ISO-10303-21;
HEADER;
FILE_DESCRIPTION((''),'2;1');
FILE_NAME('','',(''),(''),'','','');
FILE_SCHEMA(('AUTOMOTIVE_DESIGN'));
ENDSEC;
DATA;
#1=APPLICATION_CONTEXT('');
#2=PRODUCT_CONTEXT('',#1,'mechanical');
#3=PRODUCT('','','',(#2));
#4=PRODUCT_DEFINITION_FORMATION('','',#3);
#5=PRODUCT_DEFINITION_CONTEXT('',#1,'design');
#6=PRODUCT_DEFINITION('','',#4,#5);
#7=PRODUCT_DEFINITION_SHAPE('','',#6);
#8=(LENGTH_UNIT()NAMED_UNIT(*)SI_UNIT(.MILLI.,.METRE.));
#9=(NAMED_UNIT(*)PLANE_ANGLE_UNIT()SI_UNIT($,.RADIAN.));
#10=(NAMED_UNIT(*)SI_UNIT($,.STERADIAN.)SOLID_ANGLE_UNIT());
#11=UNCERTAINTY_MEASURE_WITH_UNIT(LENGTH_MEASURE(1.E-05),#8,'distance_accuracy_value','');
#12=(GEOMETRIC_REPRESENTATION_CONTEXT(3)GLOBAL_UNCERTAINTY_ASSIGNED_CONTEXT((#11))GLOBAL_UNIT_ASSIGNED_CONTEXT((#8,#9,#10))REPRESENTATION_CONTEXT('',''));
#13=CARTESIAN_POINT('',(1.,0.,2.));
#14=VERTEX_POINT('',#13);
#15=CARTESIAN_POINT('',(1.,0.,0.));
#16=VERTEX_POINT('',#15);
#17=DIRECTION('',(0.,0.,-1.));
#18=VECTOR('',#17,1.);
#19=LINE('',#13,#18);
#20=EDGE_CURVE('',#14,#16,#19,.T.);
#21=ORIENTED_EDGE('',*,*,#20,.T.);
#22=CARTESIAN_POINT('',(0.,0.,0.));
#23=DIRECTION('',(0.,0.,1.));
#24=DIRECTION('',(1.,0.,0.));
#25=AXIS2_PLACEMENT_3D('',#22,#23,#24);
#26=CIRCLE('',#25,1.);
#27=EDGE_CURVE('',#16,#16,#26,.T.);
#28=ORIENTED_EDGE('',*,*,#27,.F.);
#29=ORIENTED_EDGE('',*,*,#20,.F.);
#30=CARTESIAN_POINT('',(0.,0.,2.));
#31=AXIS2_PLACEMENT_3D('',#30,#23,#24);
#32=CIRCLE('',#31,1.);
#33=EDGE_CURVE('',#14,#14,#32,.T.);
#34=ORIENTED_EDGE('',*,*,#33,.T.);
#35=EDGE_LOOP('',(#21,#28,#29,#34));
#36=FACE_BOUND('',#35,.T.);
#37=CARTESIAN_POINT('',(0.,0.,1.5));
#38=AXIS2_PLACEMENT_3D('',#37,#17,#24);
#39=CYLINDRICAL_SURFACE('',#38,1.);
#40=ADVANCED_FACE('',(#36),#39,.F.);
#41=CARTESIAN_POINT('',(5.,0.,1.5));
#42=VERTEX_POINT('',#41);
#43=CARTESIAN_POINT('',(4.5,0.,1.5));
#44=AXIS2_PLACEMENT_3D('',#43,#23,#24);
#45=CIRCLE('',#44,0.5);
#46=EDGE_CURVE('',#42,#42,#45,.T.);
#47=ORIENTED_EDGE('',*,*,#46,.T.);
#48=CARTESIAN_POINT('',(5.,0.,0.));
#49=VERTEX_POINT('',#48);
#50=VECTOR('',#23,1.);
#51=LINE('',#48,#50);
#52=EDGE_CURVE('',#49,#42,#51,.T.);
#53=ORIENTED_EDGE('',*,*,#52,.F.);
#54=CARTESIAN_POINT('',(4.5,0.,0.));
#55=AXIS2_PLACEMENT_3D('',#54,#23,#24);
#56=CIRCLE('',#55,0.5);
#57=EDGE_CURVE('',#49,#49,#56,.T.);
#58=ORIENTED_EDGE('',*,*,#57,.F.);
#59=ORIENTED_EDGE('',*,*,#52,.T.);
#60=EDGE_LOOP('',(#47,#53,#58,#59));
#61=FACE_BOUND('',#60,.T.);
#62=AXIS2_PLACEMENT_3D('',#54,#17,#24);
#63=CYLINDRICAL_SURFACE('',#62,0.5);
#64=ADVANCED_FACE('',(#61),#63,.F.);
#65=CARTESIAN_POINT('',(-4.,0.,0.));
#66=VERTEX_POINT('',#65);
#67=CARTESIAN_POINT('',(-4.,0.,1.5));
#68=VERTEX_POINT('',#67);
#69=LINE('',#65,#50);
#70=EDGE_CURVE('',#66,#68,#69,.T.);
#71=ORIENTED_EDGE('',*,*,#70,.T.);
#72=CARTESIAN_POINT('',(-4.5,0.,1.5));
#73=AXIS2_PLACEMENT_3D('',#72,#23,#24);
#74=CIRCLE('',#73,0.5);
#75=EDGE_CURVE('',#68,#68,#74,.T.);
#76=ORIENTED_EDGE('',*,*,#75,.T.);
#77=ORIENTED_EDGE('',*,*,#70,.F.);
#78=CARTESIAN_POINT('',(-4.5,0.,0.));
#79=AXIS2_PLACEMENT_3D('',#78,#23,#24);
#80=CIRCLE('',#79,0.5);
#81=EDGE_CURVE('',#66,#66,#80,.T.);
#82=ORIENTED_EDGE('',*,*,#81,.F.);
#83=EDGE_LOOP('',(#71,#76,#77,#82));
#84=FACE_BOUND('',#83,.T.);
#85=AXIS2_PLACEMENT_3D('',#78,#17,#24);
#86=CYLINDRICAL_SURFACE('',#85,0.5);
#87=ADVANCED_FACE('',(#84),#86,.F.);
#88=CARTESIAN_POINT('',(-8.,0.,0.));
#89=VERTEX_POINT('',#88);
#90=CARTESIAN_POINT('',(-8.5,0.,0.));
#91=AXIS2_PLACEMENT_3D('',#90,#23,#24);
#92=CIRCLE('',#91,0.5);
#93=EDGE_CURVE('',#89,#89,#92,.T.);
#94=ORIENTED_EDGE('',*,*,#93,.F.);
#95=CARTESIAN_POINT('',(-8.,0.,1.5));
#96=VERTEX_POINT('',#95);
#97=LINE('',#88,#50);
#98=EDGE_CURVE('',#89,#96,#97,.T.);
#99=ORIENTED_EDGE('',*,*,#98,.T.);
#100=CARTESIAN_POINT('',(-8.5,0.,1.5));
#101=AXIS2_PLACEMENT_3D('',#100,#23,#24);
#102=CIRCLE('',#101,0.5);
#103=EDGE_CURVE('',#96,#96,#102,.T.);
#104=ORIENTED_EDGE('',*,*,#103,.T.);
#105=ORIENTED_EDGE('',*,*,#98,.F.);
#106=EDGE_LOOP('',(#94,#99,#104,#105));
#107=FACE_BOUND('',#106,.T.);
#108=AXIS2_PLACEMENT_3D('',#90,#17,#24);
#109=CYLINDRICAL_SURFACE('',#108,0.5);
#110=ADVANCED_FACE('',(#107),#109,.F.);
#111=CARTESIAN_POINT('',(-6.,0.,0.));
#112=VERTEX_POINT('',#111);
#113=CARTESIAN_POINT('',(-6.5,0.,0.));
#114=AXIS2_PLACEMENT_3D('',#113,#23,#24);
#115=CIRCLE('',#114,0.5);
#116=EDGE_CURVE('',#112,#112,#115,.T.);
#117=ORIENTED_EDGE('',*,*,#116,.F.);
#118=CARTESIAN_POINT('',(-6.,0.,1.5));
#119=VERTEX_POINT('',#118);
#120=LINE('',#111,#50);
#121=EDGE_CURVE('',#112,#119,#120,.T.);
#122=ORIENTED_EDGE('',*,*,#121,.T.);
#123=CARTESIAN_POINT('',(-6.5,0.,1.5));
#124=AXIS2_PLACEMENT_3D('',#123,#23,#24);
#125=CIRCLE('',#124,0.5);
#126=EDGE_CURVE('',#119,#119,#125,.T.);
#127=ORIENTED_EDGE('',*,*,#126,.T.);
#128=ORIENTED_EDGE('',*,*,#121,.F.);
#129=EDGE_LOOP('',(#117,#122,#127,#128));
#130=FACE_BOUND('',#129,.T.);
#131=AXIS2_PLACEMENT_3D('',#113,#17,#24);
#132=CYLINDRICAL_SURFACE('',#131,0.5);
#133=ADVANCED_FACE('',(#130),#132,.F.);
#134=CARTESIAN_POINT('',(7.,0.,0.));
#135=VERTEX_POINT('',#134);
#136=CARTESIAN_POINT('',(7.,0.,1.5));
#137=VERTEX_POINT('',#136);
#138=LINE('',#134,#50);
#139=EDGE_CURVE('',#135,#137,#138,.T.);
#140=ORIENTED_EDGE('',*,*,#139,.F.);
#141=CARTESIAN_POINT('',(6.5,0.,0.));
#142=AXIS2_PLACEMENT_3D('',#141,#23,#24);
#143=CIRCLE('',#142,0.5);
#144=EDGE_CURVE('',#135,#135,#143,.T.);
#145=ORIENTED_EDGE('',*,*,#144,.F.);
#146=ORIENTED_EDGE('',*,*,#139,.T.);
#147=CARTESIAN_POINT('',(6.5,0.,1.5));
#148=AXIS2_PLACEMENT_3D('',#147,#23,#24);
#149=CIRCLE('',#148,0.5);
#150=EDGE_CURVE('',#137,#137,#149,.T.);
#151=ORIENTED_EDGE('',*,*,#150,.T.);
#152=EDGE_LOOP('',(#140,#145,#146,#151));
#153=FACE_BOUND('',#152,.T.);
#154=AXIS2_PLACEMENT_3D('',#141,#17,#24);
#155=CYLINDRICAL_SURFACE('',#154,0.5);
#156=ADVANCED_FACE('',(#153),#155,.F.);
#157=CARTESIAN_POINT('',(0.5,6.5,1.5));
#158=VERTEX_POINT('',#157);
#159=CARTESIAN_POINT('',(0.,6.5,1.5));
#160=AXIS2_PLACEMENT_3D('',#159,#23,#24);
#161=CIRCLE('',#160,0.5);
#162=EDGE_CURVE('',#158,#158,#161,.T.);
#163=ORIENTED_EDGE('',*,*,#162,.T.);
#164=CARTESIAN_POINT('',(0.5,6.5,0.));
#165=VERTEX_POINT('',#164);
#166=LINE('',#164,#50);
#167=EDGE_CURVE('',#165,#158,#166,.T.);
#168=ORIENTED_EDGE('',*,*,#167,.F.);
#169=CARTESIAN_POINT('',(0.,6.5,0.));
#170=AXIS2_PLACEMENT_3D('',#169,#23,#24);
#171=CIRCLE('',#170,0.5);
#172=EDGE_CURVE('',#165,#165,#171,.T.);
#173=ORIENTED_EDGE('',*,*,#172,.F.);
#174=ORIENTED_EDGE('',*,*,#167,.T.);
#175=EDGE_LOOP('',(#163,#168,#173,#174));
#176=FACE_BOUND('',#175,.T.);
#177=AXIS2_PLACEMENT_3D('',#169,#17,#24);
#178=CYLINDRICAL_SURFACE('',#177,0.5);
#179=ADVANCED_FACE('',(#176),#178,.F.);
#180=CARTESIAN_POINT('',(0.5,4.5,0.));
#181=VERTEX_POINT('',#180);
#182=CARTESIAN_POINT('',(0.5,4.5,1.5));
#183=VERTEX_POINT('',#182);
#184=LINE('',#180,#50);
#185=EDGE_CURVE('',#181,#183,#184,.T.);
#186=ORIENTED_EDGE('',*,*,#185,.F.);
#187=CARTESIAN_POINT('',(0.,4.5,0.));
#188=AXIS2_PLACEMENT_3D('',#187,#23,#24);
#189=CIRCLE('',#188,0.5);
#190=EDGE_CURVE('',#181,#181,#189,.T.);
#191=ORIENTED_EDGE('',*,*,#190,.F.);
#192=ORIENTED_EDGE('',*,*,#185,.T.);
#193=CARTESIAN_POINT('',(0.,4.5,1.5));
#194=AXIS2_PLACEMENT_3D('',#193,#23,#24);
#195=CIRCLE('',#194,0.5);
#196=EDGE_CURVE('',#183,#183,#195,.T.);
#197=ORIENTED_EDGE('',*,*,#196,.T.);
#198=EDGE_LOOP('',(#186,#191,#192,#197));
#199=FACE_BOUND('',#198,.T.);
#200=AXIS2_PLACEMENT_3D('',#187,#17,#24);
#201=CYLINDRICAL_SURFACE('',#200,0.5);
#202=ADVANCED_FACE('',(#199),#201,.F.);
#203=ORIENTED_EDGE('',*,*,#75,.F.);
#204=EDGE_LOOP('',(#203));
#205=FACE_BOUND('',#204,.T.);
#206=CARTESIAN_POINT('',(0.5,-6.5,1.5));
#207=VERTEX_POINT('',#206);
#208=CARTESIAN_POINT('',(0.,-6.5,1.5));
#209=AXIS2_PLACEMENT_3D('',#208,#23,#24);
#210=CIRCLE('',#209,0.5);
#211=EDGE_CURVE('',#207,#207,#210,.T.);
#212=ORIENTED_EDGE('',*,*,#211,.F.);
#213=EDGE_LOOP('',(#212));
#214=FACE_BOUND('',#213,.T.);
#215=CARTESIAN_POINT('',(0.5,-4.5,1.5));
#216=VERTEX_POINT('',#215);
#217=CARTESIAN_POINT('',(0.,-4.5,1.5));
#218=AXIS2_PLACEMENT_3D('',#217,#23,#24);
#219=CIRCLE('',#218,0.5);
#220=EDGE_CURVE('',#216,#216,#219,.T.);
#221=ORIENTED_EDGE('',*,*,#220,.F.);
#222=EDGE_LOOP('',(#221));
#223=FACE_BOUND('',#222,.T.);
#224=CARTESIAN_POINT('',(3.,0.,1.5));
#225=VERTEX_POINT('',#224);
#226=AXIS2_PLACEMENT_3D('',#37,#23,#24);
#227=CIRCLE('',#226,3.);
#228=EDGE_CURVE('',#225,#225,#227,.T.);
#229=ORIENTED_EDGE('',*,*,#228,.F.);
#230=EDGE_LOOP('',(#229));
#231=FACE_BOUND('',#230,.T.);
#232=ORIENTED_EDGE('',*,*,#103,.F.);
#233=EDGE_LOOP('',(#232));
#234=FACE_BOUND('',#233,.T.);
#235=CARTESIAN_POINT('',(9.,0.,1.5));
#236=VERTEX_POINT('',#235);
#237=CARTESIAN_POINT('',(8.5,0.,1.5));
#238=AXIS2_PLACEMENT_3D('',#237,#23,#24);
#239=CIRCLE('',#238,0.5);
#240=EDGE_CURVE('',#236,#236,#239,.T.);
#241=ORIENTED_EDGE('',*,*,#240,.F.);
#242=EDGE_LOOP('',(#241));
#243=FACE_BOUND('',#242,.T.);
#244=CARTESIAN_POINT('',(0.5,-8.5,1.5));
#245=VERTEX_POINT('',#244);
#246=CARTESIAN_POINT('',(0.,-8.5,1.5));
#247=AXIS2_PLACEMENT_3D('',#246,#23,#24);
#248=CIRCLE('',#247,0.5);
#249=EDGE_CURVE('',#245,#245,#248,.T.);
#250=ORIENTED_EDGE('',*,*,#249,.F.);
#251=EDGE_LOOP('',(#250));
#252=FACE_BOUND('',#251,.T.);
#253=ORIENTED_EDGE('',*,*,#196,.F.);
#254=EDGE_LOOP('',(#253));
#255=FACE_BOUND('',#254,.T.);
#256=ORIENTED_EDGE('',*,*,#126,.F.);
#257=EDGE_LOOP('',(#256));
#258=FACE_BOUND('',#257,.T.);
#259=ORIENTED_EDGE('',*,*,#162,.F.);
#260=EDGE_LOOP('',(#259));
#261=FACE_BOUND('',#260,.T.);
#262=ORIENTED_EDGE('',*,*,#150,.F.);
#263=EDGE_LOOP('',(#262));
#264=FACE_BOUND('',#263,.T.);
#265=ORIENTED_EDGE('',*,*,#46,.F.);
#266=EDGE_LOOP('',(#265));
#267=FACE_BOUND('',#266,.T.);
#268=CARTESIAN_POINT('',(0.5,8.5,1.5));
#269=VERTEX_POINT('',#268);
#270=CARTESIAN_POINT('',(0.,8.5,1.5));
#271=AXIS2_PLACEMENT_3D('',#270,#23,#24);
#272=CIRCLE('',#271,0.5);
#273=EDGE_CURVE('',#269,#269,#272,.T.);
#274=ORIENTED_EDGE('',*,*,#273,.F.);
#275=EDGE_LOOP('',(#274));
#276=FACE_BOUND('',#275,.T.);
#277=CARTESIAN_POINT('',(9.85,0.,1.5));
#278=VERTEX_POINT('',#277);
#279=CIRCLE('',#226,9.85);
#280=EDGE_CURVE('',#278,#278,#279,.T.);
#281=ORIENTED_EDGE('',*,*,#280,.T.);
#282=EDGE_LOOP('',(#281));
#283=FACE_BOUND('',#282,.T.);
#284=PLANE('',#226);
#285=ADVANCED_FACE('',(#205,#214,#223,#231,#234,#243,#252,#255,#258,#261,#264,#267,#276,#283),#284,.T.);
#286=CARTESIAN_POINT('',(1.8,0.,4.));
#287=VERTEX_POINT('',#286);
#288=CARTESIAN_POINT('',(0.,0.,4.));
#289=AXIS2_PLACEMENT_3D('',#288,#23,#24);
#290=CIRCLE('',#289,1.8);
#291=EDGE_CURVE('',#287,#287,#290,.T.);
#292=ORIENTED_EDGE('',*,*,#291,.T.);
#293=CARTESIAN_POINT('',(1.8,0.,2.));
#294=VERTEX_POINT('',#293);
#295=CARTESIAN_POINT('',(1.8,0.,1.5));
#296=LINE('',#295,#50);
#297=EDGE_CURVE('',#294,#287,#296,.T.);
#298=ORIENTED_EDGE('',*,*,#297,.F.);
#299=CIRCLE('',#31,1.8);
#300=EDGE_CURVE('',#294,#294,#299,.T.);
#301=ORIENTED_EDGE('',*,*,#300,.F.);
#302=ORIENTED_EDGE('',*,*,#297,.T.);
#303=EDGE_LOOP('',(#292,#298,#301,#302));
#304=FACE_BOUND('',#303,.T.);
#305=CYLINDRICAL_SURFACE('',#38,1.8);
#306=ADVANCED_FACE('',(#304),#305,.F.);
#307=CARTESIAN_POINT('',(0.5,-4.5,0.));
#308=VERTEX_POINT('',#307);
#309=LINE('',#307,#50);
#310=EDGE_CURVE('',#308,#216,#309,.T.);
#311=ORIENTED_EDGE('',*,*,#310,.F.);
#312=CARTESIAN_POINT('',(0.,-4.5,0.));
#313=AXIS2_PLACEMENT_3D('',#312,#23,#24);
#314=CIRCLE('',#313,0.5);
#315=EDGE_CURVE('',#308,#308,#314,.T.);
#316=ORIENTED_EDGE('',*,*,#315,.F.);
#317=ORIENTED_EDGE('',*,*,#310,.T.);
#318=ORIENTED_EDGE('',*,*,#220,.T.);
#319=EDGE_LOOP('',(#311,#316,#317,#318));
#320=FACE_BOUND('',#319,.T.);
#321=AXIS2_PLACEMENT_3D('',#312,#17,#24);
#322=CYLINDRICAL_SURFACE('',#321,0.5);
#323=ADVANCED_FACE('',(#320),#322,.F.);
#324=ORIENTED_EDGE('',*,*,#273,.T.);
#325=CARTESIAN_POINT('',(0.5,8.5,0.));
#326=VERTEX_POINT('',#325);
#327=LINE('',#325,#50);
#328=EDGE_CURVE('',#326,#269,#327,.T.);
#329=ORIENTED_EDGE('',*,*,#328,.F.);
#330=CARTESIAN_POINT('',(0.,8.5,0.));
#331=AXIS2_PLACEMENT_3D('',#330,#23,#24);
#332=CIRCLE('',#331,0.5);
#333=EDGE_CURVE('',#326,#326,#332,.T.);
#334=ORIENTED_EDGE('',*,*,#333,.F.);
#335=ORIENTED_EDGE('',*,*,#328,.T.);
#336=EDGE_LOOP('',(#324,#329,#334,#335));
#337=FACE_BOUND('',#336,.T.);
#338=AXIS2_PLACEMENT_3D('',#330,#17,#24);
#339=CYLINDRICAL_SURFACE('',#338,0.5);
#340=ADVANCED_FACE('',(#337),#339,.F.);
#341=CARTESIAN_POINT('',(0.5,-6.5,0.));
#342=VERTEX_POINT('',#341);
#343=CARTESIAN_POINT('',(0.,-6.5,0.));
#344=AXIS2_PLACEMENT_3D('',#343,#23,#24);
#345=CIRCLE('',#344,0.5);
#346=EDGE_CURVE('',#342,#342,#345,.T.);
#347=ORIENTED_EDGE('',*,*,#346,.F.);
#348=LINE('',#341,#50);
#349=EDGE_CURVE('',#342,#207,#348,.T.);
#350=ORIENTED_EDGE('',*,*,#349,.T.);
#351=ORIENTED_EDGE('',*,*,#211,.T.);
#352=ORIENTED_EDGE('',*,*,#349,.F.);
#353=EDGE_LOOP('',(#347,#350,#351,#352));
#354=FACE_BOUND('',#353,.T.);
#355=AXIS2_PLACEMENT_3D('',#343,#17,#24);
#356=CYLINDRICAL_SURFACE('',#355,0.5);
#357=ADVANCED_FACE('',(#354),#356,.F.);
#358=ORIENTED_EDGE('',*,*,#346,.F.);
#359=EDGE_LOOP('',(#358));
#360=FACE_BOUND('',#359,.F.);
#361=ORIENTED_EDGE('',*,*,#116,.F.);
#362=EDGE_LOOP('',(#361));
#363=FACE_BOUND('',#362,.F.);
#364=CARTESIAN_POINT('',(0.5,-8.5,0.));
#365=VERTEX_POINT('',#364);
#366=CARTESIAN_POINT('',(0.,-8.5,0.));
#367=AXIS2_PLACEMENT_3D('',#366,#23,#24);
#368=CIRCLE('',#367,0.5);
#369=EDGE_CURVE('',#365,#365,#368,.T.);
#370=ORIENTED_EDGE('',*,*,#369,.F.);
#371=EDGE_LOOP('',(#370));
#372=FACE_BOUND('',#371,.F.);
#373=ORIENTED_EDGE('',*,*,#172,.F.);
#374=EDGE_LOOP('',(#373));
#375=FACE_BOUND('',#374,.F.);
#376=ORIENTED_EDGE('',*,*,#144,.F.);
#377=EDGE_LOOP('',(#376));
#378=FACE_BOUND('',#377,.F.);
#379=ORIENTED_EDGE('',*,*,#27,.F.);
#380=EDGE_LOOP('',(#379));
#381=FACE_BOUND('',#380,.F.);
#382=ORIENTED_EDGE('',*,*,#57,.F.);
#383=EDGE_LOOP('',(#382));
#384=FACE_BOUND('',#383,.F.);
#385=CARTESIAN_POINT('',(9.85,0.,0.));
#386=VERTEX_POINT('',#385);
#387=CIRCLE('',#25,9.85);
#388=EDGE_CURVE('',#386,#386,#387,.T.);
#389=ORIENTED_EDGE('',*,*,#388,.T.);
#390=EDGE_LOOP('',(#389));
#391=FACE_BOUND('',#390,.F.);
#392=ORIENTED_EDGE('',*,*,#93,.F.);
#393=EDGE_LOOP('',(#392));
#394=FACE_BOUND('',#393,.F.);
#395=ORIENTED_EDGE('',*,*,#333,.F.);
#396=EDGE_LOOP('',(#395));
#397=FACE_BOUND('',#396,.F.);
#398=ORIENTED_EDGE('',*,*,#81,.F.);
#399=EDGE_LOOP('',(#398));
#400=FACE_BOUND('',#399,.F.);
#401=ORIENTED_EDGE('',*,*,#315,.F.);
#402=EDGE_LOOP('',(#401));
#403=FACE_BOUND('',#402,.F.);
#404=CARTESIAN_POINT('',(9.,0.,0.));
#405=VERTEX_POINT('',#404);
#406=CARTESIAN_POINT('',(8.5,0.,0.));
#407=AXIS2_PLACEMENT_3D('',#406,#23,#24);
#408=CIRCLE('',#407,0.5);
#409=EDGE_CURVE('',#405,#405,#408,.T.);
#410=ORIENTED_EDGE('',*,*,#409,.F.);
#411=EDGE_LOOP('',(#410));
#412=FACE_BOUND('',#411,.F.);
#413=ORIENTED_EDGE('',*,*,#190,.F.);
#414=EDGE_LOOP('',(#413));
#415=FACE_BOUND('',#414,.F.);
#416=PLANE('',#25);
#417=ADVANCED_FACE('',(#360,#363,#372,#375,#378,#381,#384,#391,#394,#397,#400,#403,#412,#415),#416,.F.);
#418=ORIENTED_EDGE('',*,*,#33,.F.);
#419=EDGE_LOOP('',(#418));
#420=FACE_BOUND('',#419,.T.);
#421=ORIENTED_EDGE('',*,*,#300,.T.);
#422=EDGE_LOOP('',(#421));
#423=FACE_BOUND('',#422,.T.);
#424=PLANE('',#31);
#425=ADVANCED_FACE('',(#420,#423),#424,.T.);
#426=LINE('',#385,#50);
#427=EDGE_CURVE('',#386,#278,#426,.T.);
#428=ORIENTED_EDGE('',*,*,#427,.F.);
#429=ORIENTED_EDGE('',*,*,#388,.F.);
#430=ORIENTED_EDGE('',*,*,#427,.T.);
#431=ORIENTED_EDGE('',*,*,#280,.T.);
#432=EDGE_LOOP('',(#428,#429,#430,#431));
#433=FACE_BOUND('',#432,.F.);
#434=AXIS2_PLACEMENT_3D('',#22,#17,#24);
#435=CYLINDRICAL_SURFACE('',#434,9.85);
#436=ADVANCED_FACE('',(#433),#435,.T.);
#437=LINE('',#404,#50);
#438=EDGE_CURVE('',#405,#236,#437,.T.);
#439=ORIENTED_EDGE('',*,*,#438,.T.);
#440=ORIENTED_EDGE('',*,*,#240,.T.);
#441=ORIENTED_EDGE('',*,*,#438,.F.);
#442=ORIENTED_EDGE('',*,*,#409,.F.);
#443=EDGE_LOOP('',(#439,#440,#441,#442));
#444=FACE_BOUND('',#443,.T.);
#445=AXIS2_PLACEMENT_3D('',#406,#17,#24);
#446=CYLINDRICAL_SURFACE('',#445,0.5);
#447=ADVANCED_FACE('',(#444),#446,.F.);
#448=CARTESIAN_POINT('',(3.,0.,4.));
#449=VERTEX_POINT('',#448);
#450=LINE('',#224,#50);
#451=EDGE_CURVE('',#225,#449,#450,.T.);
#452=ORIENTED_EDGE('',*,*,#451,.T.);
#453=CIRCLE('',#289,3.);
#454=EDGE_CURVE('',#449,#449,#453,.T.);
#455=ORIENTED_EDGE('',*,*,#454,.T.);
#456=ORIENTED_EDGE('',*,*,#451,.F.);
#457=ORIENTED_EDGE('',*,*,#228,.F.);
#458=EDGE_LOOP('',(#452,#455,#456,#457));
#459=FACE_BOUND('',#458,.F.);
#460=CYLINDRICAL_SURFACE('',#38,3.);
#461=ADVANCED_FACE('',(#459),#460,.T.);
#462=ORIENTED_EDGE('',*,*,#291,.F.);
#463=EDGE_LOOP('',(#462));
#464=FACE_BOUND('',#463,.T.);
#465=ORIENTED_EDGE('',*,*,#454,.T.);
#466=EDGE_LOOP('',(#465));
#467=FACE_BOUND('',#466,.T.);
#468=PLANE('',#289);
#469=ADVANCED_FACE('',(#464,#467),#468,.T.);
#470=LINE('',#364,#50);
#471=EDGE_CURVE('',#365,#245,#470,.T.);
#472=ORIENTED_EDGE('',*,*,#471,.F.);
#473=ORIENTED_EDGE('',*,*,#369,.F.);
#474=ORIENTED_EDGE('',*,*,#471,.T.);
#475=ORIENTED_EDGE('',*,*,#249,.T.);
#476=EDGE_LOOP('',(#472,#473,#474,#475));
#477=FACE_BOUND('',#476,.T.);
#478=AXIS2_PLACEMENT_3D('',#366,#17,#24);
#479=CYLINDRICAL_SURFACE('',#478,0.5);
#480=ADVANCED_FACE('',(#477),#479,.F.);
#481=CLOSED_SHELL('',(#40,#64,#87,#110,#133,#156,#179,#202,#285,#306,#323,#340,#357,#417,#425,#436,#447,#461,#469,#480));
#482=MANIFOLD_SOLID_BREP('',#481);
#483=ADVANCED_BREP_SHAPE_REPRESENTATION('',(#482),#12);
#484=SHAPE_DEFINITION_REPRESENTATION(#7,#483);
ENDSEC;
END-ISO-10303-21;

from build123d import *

# Parameters (mm, degrees)
F0_R     = 9.85
F0_R_2   = 0.5
F0_R_3   = 1
F1_DEPTH = 1.5
F2_R     = 3
F2_R_2   = 1.8
F3_DEPTH = 2.5
F4_R     = 1.8
F4_R_2   = 1
F5_DEPTH = 0.5


with BuildPart() as f1:
    # F0 (on Top) → F1 (new body)
    with BuildSketch(Plane.XY):
        Circle(F0_R)
        with Locations((0, -8.5)):
            Circle(F0_R_2, mode=Mode.SUBTRACT)
        with Locations((0, -6.5)):
            Circle(F0_R_2, mode=Mode.SUBTRACT)
        with Locations((0, -4.5)):
            Circle(F0_R_2, mode=Mode.SUBTRACT)
        with Locations((-8.5, 0)):
            Circle(F0_R_2, mode=Mode.SUBTRACT)
        with Locations((-6.5, 0)):
            Circle(F0_R_2, mode=Mode.SUBTRACT)
        with Locations((-4.5, 0)):
            Circle(F0_R_2, mode=Mode.SUBTRACT)
        Circle(F0_R_3, mode=Mode.SUBTRACT)
        with Locations((4.5, 0)):
            Circle(F0_R_2, mode=Mode.SUBTRACT)
        with Locations((0, 4.5)):
            Circle(F0_R_2, mode=Mode.SUBTRACT)
        with Locations((6.5, 0)):
            Circle(F0_R_2, mode=Mode.SUBTRACT)
        with Locations((8.5, 0)):
            Circle(F0_R_2, mode=Mode.SUBTRACT)
        with Locations((0, 6.5)):
            Circle(F0_R_2, mode=Mode.SUBTRACT)
        with Locations((0, 8.5)):
            Circle(F0_R_2, mode=Mode.SUBTRACT)
    extrude(amount=F1_DEPTH)

    # F2 (on face) → F3 (join)
    with BuildSketch(Plane.XY.offset(1.5)):
        Circle(F2_R)
        Circle(F2_R_2, mode=Mode.SUBTRACT)
    extrude(amount=F3_DEPTH)

    # F4 (on face) → F5 (join)
    with BuildSketch(Plane.XY.offset(1.5)):
        Circle(F4_R)
        Circle(F4_R_2, mode=Mode.SUBTRACT)
    extrude(amount=F5_DEPTH)


solid = f1.part
